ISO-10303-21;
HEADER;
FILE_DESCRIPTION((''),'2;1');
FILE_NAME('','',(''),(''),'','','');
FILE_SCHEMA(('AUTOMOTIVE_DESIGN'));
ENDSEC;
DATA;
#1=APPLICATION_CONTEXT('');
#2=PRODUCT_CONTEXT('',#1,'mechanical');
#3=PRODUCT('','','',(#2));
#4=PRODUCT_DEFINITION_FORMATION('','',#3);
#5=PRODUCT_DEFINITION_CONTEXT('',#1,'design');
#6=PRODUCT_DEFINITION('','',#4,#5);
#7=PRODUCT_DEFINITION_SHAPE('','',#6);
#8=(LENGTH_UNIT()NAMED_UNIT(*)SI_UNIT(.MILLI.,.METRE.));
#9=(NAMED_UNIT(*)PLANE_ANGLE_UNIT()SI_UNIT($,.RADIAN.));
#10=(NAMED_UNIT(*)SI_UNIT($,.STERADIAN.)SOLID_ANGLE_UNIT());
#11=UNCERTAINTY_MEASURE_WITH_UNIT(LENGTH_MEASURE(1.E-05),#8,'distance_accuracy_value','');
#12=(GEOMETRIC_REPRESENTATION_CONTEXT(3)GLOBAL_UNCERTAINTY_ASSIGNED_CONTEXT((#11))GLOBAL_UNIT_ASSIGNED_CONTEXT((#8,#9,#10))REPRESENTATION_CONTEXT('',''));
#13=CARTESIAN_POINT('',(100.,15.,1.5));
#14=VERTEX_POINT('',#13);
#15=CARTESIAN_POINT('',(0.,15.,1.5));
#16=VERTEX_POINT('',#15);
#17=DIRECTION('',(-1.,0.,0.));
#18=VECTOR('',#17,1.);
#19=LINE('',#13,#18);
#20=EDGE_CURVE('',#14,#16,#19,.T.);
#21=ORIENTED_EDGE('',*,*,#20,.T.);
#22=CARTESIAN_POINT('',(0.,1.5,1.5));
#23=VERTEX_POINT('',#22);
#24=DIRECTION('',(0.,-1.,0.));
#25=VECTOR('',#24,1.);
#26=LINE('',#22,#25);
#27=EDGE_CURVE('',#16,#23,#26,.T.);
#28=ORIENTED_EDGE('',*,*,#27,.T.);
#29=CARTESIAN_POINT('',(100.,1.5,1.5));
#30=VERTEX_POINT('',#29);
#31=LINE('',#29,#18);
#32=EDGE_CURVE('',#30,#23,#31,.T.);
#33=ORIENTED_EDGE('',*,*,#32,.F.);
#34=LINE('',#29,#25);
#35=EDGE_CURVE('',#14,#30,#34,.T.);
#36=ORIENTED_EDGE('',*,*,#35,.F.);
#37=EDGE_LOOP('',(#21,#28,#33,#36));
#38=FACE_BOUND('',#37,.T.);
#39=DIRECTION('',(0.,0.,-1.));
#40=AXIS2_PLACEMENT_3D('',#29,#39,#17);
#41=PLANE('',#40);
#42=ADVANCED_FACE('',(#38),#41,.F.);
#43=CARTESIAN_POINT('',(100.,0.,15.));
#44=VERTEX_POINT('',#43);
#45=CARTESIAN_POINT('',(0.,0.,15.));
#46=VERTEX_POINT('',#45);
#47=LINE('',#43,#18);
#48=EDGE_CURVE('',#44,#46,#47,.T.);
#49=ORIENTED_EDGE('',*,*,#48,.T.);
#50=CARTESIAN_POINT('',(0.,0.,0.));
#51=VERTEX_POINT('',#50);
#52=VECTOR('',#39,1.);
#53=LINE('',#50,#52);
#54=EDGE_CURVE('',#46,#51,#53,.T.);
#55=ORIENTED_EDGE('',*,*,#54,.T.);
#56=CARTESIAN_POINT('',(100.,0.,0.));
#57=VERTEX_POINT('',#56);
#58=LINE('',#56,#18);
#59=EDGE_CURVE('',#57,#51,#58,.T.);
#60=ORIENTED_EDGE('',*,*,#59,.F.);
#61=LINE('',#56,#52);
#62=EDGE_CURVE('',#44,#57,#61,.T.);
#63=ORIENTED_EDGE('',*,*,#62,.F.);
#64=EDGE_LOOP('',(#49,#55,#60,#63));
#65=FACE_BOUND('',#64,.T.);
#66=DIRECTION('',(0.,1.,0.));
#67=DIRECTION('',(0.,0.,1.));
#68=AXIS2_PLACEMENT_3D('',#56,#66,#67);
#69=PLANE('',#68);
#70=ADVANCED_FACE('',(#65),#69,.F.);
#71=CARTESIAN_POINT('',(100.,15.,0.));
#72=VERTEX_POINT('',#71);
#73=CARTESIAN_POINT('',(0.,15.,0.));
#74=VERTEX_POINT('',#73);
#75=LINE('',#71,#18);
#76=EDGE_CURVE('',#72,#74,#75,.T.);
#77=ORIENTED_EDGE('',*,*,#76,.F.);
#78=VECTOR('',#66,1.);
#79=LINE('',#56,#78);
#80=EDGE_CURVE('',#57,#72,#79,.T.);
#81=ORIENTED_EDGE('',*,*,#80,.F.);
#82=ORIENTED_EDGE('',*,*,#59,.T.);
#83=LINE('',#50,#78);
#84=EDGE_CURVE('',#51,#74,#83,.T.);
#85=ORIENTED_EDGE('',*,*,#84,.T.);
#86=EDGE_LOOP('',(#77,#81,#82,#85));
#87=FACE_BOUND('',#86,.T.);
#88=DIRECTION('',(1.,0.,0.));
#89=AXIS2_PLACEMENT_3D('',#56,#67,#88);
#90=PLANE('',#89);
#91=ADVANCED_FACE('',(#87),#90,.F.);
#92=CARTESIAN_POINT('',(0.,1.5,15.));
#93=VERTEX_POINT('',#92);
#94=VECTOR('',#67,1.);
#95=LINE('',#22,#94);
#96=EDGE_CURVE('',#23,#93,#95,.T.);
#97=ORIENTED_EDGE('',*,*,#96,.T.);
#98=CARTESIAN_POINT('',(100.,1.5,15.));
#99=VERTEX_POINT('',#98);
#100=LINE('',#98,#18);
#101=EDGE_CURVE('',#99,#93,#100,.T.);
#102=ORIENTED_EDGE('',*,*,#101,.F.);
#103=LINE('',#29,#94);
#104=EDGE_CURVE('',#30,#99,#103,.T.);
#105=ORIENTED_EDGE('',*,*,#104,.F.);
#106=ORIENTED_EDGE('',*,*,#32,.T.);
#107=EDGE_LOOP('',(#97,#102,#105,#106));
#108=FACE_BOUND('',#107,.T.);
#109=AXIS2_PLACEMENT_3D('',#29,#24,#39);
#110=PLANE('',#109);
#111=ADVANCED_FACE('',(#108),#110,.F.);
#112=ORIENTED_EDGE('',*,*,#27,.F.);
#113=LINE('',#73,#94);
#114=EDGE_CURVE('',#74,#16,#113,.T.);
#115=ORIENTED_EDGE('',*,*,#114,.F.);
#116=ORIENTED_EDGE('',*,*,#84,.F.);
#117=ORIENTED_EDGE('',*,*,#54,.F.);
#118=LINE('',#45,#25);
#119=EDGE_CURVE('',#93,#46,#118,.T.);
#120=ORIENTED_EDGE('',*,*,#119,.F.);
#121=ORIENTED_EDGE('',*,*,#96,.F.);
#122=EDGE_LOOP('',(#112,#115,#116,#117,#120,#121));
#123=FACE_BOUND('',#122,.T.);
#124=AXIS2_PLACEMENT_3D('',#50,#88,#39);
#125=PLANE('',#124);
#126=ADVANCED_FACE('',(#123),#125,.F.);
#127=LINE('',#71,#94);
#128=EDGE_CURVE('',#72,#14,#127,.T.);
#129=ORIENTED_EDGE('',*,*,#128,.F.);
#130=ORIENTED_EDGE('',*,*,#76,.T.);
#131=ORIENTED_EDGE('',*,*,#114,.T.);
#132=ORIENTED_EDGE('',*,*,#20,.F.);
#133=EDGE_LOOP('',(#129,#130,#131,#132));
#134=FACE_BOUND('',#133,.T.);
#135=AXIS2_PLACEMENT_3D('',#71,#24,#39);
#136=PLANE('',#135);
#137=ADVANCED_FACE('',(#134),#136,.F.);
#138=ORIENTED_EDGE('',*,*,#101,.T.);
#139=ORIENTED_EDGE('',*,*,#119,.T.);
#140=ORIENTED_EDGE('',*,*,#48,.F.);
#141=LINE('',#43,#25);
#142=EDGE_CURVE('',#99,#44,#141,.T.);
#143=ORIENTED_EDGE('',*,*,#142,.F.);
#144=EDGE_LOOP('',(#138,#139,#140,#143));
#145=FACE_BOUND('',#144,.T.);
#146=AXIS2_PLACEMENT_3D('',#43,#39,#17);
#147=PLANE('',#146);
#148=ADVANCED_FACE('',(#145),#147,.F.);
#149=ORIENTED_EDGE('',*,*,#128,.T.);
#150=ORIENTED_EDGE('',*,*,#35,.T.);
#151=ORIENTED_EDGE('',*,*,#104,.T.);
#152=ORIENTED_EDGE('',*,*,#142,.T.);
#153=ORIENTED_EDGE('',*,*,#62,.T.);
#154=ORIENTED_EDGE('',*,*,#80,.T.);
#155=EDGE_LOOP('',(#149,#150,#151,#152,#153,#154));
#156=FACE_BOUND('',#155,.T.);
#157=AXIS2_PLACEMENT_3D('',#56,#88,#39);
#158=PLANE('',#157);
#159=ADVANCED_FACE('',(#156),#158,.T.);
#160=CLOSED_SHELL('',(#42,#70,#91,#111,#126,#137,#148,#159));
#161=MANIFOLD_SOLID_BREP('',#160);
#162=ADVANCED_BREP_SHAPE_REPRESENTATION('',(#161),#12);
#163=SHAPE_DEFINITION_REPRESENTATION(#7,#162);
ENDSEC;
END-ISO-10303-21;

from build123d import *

# Parameters (mm, degrees)
SALIENTE_EXTRUIR1_DEPTH = 100


with BuildPart() as part:
    # Croquis1 → Saliente-Extruir1 (new body)
    with BuildSketch(Plane(origin=(0, 0, 0), x_dir=(0, 0, -1), z_dir=(1, 0, 0))):
        Polygon((0, 0), (-15, 0), (-15, 1.5), (-1.5, 1.5), (-1.5, 15), (0, 15), align=None)
    extrude(amount=SALIENTE_EXTRUIR1_DEPTH)


solid = part.part
